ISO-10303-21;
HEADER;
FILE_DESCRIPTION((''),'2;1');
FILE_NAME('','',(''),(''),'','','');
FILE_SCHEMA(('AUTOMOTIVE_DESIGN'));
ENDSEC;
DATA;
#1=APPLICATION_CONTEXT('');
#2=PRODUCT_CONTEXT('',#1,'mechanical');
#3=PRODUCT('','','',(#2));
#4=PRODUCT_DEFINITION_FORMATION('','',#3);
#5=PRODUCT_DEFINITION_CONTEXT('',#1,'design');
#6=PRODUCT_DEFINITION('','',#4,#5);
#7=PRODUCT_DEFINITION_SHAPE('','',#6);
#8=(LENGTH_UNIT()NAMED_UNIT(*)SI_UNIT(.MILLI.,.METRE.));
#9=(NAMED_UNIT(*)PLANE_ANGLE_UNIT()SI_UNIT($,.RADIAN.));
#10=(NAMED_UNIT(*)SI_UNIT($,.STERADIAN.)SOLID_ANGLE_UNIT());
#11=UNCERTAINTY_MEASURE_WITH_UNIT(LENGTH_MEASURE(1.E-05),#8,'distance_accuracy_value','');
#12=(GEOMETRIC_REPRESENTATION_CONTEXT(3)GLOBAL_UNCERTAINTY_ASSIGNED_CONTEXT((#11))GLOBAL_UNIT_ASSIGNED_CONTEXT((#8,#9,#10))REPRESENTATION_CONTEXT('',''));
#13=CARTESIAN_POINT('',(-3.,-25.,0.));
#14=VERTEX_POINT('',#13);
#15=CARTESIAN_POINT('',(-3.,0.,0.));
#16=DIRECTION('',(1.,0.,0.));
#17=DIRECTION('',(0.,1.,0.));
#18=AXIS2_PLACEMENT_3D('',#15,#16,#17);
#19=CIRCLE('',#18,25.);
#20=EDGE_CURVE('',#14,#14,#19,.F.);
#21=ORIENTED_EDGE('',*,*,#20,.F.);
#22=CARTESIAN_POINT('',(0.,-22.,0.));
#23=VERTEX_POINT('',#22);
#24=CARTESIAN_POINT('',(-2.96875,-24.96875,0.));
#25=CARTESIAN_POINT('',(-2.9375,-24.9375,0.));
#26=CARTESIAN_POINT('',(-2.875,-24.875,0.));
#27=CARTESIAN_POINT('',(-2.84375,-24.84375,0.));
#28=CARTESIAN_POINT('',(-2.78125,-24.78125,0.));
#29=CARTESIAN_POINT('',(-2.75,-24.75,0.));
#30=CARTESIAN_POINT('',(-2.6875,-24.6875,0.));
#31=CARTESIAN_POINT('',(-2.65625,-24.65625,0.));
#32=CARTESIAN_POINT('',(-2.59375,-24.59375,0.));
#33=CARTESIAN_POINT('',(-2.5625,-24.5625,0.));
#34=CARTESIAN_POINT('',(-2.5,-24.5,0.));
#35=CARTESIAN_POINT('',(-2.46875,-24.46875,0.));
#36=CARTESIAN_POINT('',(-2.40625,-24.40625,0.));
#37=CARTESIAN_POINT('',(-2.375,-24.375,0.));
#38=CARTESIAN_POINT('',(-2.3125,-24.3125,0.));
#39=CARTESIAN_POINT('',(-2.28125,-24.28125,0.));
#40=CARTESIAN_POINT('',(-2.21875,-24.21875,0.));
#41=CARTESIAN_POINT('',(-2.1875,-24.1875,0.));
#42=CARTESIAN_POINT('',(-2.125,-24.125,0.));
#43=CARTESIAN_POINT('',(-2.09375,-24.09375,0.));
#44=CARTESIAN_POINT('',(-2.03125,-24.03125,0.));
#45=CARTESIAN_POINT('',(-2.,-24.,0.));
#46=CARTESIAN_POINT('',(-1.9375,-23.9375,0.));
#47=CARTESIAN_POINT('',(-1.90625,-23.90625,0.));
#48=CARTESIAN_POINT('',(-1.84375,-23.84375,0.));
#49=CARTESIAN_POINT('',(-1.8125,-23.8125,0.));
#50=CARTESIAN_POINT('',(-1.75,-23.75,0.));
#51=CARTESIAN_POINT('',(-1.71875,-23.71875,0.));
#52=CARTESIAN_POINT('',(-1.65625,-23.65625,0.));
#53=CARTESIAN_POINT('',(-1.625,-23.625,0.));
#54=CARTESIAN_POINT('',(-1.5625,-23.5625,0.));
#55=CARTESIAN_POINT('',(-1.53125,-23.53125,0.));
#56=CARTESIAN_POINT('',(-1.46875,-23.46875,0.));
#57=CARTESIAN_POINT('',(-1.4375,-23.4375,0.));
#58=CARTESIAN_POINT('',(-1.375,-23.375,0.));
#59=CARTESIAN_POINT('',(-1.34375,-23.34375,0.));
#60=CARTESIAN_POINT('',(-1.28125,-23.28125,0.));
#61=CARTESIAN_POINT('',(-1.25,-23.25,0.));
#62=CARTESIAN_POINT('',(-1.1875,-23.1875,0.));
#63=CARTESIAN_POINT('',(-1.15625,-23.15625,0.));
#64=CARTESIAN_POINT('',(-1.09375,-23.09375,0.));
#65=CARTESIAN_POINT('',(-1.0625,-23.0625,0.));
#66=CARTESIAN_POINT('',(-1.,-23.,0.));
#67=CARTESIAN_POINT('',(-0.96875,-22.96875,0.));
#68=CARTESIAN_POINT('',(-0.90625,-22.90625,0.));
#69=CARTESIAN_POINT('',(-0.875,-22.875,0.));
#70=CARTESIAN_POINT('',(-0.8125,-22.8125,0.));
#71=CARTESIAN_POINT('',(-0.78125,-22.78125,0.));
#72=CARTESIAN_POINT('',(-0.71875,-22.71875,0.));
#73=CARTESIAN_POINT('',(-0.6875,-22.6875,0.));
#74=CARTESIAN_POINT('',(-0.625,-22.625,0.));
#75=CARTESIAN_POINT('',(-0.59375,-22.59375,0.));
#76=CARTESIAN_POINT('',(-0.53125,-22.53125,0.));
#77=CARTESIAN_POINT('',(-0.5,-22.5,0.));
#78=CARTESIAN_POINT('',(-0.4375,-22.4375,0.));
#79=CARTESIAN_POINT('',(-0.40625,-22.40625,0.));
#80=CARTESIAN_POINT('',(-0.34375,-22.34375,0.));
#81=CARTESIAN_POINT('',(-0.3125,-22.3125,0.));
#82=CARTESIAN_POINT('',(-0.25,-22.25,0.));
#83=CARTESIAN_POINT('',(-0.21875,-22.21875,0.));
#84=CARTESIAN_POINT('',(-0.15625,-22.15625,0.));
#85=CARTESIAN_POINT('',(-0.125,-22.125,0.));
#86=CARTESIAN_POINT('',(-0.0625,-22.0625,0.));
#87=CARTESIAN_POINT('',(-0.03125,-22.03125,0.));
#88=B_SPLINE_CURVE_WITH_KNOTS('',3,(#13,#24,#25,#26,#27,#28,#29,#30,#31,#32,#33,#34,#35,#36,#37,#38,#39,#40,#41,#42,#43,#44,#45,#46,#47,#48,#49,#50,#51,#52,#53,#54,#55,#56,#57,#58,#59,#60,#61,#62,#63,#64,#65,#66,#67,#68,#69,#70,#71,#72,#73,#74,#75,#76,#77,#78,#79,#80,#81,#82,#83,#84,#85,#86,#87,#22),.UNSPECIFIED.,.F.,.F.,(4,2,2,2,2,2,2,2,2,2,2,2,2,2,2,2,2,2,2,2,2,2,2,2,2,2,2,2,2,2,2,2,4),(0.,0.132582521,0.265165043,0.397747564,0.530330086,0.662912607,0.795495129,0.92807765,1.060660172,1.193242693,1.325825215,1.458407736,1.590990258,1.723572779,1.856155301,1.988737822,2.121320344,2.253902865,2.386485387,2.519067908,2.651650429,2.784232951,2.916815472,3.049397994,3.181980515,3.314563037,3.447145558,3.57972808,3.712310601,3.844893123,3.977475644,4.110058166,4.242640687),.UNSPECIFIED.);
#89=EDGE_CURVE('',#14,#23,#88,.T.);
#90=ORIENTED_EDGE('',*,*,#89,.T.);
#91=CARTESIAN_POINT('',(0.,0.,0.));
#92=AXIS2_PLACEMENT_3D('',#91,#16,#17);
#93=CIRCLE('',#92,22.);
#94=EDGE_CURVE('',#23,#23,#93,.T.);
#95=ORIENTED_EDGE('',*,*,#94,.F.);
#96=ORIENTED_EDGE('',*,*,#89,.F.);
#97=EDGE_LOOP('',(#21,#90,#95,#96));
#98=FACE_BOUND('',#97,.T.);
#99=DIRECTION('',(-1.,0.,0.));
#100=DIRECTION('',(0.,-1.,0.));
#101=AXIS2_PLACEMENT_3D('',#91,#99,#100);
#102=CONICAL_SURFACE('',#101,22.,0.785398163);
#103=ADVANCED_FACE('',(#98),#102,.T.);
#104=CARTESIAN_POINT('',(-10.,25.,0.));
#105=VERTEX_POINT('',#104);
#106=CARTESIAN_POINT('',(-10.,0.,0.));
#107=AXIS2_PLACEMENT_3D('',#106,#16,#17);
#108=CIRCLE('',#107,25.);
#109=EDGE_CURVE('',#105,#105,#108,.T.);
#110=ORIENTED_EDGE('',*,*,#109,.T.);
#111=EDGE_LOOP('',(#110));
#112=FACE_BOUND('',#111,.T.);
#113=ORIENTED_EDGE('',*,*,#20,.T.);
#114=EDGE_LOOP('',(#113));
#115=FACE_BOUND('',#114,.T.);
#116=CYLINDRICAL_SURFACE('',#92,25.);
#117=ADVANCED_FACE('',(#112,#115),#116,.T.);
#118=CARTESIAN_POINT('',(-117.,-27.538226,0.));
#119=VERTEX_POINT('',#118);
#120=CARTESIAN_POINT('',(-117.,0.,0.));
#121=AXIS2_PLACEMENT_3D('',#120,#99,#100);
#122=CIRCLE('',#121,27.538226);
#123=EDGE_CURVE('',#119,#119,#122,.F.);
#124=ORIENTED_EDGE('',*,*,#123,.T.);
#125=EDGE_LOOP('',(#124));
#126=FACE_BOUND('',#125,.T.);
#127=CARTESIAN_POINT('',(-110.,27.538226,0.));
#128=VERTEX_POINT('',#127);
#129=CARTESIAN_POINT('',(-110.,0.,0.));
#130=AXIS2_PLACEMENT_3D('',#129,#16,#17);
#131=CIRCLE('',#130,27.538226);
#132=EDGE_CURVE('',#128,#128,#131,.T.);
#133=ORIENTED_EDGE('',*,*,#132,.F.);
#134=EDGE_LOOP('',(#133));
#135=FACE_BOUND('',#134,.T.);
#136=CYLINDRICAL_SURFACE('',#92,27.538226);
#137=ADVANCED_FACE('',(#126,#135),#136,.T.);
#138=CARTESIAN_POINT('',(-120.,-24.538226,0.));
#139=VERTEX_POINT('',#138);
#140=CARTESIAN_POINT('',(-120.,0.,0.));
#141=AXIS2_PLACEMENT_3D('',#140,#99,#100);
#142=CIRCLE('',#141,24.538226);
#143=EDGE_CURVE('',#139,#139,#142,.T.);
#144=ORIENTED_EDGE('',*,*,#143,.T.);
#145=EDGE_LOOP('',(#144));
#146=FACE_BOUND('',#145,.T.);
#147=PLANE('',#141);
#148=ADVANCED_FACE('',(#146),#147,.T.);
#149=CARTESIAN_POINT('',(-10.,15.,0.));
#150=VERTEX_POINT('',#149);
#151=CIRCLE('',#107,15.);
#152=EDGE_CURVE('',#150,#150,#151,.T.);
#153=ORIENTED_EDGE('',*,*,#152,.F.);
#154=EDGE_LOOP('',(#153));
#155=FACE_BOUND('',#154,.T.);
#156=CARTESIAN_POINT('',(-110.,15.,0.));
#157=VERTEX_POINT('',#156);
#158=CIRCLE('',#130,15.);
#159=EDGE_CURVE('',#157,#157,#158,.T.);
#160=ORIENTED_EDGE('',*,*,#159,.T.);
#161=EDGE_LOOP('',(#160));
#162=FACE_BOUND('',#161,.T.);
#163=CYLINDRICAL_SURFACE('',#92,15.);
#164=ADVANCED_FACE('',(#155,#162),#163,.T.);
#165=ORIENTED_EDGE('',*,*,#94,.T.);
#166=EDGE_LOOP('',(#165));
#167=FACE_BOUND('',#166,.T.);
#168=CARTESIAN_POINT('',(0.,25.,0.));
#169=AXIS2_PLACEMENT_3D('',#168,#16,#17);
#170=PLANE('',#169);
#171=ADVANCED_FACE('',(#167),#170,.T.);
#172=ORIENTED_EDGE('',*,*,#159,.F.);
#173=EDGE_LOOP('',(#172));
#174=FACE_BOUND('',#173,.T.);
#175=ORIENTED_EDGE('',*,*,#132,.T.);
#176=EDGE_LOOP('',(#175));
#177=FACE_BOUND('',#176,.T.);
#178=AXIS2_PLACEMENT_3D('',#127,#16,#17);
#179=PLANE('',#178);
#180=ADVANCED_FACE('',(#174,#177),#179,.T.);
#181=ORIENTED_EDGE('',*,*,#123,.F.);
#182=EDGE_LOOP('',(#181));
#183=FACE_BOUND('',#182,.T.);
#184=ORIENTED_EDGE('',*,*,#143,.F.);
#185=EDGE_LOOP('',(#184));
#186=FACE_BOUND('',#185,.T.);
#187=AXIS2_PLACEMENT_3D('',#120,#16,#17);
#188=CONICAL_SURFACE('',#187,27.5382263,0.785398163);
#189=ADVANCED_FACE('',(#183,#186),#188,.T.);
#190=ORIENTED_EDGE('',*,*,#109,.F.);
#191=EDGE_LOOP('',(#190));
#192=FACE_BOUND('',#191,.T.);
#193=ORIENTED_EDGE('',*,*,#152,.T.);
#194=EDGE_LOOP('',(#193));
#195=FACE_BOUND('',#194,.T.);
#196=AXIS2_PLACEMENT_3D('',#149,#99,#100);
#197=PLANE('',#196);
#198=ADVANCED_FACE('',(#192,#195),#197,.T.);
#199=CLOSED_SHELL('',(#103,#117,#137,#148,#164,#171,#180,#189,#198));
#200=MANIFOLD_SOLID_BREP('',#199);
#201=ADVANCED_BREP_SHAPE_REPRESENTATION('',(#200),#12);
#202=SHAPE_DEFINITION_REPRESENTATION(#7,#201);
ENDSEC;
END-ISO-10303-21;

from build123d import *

# Parameters (mm, degrees)
CHAMFER1_SIZE = 3


with BuildPart() as part:
    # Sketch1 → Revolve1 (revolve)
    with BuildSketch(Plane.XY):
        Polygon((0, 0), (-120, 0), (-120, 27.5382263), (-110, 27.5382263), (-110, 15), (-10, 15), (-10, 25), (0, 25), align=None)
    revolve(axis=Axis((0, 0, 0), (-1, 0, 0)))

    # Chamfer1
    chamfer1_edges = [part.edges().sort_by_distance(p)[0] for p in [
        (0, -25, 0),
        (-120, -27.5382263, 0),
    ]]
    chamfer(chamfer1_edges, length=CHAMFER1_SIZE)


solid = part.part
